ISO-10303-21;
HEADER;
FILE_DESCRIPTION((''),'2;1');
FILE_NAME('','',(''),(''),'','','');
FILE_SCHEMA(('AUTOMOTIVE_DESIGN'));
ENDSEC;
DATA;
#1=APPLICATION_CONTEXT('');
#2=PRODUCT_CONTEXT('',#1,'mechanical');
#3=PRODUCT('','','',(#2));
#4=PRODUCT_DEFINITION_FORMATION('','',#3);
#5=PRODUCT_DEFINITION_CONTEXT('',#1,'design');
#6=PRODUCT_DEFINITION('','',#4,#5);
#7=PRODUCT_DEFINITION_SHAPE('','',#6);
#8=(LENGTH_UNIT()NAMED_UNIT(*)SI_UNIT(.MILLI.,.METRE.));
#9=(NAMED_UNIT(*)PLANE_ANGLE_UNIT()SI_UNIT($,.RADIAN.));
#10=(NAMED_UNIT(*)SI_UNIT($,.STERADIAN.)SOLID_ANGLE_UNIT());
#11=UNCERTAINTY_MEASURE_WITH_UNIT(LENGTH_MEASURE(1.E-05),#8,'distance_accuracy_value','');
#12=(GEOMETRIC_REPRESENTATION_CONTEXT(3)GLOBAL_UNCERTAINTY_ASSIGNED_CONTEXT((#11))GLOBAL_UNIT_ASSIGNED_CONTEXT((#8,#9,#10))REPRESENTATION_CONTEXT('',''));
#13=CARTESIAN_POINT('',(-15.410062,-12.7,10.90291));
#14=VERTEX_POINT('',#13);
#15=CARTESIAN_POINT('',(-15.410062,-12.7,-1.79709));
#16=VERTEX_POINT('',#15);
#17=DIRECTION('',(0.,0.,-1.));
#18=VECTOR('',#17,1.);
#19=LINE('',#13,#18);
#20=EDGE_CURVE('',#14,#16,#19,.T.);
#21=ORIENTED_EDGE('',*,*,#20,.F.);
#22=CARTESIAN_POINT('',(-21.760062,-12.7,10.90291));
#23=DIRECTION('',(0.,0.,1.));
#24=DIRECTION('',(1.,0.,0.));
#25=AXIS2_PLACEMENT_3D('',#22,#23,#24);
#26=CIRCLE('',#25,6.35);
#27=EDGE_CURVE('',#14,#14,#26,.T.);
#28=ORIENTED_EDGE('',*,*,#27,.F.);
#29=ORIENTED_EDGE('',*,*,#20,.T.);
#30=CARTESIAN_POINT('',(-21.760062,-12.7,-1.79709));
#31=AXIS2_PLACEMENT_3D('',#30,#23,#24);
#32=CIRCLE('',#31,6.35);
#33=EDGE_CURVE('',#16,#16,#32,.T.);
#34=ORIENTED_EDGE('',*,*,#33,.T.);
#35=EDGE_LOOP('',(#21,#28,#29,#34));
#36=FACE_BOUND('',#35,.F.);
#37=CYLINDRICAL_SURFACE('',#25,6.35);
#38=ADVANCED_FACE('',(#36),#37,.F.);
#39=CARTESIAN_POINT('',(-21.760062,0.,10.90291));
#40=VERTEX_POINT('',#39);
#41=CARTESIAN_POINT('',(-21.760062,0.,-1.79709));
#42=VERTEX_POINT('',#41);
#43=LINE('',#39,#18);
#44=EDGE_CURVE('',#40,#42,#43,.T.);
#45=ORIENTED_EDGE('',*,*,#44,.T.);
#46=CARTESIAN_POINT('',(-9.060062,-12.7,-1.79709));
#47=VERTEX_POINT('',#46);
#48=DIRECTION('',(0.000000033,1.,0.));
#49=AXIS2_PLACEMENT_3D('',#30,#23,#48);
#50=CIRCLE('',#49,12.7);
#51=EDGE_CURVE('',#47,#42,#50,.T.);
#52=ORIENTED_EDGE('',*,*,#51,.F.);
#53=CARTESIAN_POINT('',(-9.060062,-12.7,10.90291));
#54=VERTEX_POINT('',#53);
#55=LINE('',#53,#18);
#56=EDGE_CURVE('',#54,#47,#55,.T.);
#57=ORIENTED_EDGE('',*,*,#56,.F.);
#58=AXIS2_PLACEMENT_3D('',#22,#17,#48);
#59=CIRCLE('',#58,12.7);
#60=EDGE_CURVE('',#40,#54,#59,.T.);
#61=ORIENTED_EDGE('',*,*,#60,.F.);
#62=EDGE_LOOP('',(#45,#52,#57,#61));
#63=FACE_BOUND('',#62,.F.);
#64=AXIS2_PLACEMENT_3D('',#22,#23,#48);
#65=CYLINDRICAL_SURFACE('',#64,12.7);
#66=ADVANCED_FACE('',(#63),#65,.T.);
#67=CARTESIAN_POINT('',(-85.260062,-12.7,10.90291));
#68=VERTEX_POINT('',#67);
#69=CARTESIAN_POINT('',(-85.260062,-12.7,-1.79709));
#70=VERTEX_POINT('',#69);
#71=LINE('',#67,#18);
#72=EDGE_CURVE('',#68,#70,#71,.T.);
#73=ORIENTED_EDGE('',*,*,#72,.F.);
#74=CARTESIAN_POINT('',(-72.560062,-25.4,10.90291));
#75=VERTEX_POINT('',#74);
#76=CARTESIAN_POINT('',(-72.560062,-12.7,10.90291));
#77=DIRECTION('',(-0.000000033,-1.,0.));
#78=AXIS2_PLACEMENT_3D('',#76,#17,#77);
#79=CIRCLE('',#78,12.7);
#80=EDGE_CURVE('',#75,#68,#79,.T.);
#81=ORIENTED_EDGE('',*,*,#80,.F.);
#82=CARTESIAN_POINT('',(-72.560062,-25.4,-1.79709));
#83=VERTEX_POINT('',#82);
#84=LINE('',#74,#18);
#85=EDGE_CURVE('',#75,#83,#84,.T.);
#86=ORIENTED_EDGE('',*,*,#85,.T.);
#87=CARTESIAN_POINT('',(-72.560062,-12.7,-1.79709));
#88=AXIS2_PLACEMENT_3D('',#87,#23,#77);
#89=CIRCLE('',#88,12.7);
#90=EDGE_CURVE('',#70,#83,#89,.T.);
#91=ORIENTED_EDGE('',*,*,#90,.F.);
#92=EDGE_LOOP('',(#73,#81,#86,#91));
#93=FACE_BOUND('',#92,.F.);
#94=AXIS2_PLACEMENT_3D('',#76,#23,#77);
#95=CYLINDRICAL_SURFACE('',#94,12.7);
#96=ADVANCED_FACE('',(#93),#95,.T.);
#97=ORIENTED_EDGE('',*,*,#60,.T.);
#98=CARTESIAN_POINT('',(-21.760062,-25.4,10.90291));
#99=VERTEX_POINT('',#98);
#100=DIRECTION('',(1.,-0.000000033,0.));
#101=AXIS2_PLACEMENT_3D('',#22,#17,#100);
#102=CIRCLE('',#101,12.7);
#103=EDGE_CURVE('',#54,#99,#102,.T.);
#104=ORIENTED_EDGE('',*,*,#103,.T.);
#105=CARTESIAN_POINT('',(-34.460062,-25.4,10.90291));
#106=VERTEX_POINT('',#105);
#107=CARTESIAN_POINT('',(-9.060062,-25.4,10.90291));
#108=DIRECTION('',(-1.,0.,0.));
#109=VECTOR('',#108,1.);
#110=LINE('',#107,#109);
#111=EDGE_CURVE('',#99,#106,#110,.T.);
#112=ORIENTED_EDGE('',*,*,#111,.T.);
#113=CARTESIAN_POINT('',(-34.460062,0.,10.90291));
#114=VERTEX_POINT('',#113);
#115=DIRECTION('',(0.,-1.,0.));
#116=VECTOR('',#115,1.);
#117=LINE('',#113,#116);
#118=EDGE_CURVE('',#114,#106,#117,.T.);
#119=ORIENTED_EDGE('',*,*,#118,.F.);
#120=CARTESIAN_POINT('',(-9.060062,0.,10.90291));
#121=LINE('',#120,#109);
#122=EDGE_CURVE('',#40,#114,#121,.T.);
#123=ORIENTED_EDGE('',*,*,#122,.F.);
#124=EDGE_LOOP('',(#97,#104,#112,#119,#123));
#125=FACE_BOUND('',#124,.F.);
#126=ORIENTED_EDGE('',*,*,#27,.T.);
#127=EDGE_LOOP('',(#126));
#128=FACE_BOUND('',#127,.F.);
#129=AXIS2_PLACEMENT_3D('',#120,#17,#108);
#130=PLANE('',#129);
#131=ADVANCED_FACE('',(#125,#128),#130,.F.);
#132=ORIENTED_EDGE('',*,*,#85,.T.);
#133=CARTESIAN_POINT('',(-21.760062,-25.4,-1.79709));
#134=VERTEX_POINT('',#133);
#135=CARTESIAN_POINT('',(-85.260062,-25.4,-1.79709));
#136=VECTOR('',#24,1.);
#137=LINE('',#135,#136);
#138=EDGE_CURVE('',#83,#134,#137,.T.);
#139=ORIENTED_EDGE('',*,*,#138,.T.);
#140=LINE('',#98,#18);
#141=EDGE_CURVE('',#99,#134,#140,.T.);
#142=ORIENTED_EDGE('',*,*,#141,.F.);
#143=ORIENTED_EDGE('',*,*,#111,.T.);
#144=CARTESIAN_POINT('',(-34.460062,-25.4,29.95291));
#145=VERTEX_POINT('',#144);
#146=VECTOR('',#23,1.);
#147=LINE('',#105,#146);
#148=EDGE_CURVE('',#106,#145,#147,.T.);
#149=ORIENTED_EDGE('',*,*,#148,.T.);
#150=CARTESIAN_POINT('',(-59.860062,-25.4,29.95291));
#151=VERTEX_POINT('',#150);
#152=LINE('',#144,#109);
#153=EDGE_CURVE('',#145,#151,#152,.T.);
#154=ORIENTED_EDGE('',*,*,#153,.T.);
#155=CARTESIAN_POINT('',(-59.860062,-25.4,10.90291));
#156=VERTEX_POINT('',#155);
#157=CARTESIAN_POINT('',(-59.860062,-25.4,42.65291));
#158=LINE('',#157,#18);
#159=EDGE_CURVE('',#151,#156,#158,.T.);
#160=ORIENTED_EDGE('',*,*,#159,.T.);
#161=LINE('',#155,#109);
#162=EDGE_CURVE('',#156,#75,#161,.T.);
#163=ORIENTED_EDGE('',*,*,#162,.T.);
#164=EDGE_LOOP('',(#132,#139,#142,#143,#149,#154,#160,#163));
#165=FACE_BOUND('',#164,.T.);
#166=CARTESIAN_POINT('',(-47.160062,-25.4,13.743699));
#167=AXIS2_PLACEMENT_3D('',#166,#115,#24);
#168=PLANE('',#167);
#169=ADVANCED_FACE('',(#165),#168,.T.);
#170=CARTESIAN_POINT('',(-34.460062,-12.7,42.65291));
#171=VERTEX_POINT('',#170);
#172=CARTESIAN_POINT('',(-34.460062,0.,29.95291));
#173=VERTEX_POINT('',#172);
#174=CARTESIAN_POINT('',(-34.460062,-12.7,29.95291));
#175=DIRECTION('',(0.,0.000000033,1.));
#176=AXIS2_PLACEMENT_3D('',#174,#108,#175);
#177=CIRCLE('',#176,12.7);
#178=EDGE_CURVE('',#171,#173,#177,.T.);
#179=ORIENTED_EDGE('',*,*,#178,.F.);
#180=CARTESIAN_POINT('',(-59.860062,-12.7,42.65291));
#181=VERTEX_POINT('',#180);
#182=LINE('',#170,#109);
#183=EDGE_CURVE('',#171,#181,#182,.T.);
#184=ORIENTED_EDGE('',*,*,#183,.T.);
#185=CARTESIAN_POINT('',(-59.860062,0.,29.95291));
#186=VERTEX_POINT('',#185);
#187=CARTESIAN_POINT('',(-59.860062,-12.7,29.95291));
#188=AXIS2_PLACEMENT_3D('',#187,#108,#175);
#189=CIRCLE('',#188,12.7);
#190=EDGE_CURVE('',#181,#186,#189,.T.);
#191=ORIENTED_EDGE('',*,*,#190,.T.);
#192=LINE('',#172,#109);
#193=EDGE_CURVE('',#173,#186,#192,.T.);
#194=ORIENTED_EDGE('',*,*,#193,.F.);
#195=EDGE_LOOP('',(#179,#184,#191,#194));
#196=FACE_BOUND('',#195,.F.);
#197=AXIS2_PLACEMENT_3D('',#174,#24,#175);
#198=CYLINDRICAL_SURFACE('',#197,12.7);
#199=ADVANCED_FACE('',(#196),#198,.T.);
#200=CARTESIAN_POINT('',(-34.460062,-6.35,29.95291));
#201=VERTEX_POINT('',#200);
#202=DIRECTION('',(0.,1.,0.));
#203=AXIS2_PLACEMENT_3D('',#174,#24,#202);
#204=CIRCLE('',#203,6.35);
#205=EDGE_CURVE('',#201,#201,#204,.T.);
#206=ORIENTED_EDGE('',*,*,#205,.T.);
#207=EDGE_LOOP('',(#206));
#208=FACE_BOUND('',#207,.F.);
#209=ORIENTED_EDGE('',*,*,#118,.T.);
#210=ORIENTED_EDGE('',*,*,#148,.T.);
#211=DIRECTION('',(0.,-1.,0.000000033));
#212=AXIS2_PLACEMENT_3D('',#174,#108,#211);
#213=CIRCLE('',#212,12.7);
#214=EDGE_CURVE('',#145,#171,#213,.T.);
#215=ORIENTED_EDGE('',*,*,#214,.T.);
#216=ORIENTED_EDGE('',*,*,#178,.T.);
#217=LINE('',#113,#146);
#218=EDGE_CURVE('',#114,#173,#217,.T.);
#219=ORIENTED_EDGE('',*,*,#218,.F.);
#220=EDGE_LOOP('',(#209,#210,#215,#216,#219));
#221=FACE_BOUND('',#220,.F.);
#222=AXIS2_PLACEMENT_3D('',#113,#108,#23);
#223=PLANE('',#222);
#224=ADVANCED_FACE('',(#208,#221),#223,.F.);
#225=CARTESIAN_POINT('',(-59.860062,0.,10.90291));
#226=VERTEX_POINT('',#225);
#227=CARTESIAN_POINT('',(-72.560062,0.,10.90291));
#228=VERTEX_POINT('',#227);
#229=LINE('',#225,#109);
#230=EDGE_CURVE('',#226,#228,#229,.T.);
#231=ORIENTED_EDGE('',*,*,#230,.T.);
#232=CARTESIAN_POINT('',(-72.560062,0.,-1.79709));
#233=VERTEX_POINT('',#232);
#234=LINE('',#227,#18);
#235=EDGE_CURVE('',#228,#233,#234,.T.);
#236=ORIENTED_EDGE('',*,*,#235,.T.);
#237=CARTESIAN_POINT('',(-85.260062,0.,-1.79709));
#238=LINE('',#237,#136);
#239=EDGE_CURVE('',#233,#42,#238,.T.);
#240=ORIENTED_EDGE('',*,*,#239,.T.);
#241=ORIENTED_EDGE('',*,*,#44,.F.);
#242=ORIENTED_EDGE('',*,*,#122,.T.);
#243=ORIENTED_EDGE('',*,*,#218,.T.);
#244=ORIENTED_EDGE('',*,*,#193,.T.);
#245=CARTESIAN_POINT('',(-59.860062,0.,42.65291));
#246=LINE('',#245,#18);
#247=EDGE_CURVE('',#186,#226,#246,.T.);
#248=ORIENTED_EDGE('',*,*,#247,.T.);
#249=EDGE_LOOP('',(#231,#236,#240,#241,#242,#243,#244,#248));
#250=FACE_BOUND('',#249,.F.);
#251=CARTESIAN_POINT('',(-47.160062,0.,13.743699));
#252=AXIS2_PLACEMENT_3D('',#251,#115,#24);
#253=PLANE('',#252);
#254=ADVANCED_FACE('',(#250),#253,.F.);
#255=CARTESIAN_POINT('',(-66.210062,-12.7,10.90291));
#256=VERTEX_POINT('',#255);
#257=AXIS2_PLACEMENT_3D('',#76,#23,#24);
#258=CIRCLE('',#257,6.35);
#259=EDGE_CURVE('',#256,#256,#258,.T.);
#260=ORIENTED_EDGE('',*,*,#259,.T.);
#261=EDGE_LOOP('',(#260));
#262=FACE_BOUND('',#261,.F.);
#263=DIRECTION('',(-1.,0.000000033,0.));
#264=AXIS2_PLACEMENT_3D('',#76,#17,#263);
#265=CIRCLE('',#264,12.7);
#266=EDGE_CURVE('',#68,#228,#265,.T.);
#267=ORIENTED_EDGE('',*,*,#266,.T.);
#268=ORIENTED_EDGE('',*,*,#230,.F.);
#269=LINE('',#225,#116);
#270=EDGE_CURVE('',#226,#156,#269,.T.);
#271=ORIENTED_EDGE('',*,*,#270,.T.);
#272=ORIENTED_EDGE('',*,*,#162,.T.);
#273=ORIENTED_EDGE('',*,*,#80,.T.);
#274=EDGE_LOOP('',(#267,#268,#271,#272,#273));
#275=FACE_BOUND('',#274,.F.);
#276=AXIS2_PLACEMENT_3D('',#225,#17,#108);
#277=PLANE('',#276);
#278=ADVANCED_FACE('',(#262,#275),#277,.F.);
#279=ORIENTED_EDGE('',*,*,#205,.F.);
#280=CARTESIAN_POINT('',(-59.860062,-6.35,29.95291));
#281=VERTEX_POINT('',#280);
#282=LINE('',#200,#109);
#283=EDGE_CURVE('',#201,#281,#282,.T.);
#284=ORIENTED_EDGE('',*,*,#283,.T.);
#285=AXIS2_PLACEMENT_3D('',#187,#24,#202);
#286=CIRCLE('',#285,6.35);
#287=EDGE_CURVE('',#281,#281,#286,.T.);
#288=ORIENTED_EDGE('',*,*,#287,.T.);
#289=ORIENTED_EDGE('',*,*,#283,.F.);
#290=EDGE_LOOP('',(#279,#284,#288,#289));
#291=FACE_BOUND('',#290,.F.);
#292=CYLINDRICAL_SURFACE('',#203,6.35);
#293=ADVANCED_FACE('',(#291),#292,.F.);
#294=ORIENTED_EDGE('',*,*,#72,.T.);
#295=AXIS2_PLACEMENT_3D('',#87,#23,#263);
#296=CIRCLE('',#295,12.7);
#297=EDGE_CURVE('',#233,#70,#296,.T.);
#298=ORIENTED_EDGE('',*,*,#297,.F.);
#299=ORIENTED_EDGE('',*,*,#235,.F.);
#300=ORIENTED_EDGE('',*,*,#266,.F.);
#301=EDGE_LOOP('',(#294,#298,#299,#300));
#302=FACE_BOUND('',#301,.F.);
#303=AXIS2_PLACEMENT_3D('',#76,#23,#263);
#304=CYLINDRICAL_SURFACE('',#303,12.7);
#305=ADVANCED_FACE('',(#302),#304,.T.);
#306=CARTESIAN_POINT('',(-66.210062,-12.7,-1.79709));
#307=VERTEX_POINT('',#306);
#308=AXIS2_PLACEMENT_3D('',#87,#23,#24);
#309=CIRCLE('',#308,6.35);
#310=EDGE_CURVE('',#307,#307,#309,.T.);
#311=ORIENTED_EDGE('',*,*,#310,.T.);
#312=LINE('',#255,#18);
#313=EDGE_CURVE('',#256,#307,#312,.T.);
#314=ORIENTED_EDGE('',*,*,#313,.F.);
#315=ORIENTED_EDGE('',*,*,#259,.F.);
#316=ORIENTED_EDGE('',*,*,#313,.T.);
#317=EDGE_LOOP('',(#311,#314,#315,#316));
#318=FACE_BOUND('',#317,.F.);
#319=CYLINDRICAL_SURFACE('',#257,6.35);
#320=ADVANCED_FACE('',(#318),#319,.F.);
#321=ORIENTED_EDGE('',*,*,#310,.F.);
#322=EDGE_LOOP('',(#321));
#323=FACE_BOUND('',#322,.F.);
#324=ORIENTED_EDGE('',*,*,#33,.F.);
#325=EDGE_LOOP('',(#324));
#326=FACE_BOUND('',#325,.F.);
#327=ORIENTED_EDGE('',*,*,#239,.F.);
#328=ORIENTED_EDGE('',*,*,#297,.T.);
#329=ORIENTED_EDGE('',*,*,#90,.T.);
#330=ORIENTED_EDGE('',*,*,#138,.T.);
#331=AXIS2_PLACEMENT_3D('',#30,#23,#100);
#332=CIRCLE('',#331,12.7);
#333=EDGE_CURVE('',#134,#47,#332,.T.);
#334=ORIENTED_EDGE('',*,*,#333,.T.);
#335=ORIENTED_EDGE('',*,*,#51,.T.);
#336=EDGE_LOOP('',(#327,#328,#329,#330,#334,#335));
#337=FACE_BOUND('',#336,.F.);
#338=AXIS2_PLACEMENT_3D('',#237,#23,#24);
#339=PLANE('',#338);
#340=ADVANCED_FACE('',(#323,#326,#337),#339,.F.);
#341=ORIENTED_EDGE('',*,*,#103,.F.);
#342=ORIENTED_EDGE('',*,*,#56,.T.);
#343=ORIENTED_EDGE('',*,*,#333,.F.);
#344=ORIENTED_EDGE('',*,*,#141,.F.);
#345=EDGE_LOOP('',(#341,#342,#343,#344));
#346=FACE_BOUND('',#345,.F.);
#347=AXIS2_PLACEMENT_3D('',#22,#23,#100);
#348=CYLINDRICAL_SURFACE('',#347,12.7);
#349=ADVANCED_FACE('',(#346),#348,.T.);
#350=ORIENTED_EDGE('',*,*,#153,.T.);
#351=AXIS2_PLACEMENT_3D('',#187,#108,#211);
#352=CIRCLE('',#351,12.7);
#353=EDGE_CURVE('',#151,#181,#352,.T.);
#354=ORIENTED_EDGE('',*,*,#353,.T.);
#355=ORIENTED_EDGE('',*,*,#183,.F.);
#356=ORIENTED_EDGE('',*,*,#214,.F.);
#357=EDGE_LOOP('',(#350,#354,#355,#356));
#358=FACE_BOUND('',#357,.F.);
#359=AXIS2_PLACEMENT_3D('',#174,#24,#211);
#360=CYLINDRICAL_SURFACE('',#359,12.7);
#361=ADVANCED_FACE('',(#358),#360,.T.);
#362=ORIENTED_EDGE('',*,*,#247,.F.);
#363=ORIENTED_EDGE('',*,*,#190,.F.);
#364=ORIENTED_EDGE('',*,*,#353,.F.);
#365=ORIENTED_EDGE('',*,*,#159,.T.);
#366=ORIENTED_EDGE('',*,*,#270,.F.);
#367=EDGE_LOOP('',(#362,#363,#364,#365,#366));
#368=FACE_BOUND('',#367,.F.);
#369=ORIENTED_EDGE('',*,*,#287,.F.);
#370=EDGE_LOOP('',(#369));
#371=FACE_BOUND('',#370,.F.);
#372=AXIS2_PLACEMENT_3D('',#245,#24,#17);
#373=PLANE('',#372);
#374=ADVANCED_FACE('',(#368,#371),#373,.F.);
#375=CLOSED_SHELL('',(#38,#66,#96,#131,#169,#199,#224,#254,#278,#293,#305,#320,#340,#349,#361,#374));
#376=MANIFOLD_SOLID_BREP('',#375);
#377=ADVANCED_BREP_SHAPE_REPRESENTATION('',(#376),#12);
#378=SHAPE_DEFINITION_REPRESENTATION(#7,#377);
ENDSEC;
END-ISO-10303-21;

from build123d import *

# Parameters (mm, degrees)
F1_DEPTH = 25.4
F2_R     = 6.35
F3_DEPTH = 25.4
F4_R     = 6.35
F5_DEPTH = 25.4
F6_R     = 6.35
F7_DEPTH = 25.4


with BuildPart() as f1:
    # F0 (on Front) → F1 (new body)
    with BuildSketch(Plane.XZ):
        Polygon((-59.860062, 10.90291), (-85.260062, 10.90291), (-85.260062, -1.79709), (-9.060062, -1.79709), (-9.060062, 10.90291), (-34.460062, 10.90291), (-34.460062, 42.65291), (-59.860062, 42.65291), align=None)
    extrude(amount=F1_DEPTH)

    # F2 (on face) → F3 (cut)
    with BuildSketch(Plane.YZ.offset(-34.460062)):
        with Locations((-12.7, 29.95291)):
            Circle(F2_R)
        with BuildLine():
            ThreePointArc((-12.7, 42.65291), (-3.719744, 38.933166), (0, 29.95291))
            Line((0, 29.95291), (0, 42.65291))
            Line((0, 42.65291), (-12.7, 42.65291))
        make_face()
        with BuildLine():
            ThreePointArc((-25.4, 29.95291), (-21.680256, 38.933166), (-12.7, 42.65291))
            Line((-12.7, 42.65291), (-25.4, 42.65291))
            Line((-25.4, 42.65291), (-25.4, 29.95291))
        make_face()
    extrude(amount=-F3_DEPTH, mode=Mode.SUBTRACT)

    # F4 (on face) → F5 (cut)
    with BuildSketch(Plane.XY.offset(10.90291)):
        with Locations((-21.760062, -12.7)):
            Circle(F4_R)
        with BuildLine():
            ThreePointArc((-21.760062, 0), (-12.779806, -3.719744), (-9.060062, -12.7))
            Line((-9.060062, -12.7), (-9.060062, 0))
            Line((-9.060062, 0), (-21.760062, 0))
        make_face()
        with BuildLine():
            ThreePointArc((-9.060062, -12.7), (-12.779806, -21.680256), (-21.760062, -25.4))
            Line((-21.760062, -25.4), (-9.060062, -25.4))
            Line((-9.060062, -25.4), (-9.060062, -12.7))
        make_face()
    extrude(amount=-F5_DEPTH, mode=Mode.SUBTRACT)

    # F6 (on face) → F7 (cut)
    with BuildSketch(Plane.XY.offset(10.90291)):
        with Locations((-72.560062, -12.7)):
            Circle(F6_R)
        with BuildLine():
            ThreePointArc((-85.260062, -12.7), (-81.540318, -3.719744), (-72.560062, 0))
            Line((-72.560062, 0), (-85.260062, 0))
            Line((-85.260062, 0), (-85.260062, -12.7))
        make_face()
        with BuildLine():
            ThreePointArc((-72.560062, -25.4), (-81.540318, -21.680256), (-85.260062, -12.7))
            Line((-85.260062, -12.7), (-85.260062, -25.4))
            Line((-85.260062, -25.4), (-72.560062, -25.4))
        make_face()
    extrude(amount=-F7_DEPTH, mode=Mode.SUBTRACT)


solid = f1.part
